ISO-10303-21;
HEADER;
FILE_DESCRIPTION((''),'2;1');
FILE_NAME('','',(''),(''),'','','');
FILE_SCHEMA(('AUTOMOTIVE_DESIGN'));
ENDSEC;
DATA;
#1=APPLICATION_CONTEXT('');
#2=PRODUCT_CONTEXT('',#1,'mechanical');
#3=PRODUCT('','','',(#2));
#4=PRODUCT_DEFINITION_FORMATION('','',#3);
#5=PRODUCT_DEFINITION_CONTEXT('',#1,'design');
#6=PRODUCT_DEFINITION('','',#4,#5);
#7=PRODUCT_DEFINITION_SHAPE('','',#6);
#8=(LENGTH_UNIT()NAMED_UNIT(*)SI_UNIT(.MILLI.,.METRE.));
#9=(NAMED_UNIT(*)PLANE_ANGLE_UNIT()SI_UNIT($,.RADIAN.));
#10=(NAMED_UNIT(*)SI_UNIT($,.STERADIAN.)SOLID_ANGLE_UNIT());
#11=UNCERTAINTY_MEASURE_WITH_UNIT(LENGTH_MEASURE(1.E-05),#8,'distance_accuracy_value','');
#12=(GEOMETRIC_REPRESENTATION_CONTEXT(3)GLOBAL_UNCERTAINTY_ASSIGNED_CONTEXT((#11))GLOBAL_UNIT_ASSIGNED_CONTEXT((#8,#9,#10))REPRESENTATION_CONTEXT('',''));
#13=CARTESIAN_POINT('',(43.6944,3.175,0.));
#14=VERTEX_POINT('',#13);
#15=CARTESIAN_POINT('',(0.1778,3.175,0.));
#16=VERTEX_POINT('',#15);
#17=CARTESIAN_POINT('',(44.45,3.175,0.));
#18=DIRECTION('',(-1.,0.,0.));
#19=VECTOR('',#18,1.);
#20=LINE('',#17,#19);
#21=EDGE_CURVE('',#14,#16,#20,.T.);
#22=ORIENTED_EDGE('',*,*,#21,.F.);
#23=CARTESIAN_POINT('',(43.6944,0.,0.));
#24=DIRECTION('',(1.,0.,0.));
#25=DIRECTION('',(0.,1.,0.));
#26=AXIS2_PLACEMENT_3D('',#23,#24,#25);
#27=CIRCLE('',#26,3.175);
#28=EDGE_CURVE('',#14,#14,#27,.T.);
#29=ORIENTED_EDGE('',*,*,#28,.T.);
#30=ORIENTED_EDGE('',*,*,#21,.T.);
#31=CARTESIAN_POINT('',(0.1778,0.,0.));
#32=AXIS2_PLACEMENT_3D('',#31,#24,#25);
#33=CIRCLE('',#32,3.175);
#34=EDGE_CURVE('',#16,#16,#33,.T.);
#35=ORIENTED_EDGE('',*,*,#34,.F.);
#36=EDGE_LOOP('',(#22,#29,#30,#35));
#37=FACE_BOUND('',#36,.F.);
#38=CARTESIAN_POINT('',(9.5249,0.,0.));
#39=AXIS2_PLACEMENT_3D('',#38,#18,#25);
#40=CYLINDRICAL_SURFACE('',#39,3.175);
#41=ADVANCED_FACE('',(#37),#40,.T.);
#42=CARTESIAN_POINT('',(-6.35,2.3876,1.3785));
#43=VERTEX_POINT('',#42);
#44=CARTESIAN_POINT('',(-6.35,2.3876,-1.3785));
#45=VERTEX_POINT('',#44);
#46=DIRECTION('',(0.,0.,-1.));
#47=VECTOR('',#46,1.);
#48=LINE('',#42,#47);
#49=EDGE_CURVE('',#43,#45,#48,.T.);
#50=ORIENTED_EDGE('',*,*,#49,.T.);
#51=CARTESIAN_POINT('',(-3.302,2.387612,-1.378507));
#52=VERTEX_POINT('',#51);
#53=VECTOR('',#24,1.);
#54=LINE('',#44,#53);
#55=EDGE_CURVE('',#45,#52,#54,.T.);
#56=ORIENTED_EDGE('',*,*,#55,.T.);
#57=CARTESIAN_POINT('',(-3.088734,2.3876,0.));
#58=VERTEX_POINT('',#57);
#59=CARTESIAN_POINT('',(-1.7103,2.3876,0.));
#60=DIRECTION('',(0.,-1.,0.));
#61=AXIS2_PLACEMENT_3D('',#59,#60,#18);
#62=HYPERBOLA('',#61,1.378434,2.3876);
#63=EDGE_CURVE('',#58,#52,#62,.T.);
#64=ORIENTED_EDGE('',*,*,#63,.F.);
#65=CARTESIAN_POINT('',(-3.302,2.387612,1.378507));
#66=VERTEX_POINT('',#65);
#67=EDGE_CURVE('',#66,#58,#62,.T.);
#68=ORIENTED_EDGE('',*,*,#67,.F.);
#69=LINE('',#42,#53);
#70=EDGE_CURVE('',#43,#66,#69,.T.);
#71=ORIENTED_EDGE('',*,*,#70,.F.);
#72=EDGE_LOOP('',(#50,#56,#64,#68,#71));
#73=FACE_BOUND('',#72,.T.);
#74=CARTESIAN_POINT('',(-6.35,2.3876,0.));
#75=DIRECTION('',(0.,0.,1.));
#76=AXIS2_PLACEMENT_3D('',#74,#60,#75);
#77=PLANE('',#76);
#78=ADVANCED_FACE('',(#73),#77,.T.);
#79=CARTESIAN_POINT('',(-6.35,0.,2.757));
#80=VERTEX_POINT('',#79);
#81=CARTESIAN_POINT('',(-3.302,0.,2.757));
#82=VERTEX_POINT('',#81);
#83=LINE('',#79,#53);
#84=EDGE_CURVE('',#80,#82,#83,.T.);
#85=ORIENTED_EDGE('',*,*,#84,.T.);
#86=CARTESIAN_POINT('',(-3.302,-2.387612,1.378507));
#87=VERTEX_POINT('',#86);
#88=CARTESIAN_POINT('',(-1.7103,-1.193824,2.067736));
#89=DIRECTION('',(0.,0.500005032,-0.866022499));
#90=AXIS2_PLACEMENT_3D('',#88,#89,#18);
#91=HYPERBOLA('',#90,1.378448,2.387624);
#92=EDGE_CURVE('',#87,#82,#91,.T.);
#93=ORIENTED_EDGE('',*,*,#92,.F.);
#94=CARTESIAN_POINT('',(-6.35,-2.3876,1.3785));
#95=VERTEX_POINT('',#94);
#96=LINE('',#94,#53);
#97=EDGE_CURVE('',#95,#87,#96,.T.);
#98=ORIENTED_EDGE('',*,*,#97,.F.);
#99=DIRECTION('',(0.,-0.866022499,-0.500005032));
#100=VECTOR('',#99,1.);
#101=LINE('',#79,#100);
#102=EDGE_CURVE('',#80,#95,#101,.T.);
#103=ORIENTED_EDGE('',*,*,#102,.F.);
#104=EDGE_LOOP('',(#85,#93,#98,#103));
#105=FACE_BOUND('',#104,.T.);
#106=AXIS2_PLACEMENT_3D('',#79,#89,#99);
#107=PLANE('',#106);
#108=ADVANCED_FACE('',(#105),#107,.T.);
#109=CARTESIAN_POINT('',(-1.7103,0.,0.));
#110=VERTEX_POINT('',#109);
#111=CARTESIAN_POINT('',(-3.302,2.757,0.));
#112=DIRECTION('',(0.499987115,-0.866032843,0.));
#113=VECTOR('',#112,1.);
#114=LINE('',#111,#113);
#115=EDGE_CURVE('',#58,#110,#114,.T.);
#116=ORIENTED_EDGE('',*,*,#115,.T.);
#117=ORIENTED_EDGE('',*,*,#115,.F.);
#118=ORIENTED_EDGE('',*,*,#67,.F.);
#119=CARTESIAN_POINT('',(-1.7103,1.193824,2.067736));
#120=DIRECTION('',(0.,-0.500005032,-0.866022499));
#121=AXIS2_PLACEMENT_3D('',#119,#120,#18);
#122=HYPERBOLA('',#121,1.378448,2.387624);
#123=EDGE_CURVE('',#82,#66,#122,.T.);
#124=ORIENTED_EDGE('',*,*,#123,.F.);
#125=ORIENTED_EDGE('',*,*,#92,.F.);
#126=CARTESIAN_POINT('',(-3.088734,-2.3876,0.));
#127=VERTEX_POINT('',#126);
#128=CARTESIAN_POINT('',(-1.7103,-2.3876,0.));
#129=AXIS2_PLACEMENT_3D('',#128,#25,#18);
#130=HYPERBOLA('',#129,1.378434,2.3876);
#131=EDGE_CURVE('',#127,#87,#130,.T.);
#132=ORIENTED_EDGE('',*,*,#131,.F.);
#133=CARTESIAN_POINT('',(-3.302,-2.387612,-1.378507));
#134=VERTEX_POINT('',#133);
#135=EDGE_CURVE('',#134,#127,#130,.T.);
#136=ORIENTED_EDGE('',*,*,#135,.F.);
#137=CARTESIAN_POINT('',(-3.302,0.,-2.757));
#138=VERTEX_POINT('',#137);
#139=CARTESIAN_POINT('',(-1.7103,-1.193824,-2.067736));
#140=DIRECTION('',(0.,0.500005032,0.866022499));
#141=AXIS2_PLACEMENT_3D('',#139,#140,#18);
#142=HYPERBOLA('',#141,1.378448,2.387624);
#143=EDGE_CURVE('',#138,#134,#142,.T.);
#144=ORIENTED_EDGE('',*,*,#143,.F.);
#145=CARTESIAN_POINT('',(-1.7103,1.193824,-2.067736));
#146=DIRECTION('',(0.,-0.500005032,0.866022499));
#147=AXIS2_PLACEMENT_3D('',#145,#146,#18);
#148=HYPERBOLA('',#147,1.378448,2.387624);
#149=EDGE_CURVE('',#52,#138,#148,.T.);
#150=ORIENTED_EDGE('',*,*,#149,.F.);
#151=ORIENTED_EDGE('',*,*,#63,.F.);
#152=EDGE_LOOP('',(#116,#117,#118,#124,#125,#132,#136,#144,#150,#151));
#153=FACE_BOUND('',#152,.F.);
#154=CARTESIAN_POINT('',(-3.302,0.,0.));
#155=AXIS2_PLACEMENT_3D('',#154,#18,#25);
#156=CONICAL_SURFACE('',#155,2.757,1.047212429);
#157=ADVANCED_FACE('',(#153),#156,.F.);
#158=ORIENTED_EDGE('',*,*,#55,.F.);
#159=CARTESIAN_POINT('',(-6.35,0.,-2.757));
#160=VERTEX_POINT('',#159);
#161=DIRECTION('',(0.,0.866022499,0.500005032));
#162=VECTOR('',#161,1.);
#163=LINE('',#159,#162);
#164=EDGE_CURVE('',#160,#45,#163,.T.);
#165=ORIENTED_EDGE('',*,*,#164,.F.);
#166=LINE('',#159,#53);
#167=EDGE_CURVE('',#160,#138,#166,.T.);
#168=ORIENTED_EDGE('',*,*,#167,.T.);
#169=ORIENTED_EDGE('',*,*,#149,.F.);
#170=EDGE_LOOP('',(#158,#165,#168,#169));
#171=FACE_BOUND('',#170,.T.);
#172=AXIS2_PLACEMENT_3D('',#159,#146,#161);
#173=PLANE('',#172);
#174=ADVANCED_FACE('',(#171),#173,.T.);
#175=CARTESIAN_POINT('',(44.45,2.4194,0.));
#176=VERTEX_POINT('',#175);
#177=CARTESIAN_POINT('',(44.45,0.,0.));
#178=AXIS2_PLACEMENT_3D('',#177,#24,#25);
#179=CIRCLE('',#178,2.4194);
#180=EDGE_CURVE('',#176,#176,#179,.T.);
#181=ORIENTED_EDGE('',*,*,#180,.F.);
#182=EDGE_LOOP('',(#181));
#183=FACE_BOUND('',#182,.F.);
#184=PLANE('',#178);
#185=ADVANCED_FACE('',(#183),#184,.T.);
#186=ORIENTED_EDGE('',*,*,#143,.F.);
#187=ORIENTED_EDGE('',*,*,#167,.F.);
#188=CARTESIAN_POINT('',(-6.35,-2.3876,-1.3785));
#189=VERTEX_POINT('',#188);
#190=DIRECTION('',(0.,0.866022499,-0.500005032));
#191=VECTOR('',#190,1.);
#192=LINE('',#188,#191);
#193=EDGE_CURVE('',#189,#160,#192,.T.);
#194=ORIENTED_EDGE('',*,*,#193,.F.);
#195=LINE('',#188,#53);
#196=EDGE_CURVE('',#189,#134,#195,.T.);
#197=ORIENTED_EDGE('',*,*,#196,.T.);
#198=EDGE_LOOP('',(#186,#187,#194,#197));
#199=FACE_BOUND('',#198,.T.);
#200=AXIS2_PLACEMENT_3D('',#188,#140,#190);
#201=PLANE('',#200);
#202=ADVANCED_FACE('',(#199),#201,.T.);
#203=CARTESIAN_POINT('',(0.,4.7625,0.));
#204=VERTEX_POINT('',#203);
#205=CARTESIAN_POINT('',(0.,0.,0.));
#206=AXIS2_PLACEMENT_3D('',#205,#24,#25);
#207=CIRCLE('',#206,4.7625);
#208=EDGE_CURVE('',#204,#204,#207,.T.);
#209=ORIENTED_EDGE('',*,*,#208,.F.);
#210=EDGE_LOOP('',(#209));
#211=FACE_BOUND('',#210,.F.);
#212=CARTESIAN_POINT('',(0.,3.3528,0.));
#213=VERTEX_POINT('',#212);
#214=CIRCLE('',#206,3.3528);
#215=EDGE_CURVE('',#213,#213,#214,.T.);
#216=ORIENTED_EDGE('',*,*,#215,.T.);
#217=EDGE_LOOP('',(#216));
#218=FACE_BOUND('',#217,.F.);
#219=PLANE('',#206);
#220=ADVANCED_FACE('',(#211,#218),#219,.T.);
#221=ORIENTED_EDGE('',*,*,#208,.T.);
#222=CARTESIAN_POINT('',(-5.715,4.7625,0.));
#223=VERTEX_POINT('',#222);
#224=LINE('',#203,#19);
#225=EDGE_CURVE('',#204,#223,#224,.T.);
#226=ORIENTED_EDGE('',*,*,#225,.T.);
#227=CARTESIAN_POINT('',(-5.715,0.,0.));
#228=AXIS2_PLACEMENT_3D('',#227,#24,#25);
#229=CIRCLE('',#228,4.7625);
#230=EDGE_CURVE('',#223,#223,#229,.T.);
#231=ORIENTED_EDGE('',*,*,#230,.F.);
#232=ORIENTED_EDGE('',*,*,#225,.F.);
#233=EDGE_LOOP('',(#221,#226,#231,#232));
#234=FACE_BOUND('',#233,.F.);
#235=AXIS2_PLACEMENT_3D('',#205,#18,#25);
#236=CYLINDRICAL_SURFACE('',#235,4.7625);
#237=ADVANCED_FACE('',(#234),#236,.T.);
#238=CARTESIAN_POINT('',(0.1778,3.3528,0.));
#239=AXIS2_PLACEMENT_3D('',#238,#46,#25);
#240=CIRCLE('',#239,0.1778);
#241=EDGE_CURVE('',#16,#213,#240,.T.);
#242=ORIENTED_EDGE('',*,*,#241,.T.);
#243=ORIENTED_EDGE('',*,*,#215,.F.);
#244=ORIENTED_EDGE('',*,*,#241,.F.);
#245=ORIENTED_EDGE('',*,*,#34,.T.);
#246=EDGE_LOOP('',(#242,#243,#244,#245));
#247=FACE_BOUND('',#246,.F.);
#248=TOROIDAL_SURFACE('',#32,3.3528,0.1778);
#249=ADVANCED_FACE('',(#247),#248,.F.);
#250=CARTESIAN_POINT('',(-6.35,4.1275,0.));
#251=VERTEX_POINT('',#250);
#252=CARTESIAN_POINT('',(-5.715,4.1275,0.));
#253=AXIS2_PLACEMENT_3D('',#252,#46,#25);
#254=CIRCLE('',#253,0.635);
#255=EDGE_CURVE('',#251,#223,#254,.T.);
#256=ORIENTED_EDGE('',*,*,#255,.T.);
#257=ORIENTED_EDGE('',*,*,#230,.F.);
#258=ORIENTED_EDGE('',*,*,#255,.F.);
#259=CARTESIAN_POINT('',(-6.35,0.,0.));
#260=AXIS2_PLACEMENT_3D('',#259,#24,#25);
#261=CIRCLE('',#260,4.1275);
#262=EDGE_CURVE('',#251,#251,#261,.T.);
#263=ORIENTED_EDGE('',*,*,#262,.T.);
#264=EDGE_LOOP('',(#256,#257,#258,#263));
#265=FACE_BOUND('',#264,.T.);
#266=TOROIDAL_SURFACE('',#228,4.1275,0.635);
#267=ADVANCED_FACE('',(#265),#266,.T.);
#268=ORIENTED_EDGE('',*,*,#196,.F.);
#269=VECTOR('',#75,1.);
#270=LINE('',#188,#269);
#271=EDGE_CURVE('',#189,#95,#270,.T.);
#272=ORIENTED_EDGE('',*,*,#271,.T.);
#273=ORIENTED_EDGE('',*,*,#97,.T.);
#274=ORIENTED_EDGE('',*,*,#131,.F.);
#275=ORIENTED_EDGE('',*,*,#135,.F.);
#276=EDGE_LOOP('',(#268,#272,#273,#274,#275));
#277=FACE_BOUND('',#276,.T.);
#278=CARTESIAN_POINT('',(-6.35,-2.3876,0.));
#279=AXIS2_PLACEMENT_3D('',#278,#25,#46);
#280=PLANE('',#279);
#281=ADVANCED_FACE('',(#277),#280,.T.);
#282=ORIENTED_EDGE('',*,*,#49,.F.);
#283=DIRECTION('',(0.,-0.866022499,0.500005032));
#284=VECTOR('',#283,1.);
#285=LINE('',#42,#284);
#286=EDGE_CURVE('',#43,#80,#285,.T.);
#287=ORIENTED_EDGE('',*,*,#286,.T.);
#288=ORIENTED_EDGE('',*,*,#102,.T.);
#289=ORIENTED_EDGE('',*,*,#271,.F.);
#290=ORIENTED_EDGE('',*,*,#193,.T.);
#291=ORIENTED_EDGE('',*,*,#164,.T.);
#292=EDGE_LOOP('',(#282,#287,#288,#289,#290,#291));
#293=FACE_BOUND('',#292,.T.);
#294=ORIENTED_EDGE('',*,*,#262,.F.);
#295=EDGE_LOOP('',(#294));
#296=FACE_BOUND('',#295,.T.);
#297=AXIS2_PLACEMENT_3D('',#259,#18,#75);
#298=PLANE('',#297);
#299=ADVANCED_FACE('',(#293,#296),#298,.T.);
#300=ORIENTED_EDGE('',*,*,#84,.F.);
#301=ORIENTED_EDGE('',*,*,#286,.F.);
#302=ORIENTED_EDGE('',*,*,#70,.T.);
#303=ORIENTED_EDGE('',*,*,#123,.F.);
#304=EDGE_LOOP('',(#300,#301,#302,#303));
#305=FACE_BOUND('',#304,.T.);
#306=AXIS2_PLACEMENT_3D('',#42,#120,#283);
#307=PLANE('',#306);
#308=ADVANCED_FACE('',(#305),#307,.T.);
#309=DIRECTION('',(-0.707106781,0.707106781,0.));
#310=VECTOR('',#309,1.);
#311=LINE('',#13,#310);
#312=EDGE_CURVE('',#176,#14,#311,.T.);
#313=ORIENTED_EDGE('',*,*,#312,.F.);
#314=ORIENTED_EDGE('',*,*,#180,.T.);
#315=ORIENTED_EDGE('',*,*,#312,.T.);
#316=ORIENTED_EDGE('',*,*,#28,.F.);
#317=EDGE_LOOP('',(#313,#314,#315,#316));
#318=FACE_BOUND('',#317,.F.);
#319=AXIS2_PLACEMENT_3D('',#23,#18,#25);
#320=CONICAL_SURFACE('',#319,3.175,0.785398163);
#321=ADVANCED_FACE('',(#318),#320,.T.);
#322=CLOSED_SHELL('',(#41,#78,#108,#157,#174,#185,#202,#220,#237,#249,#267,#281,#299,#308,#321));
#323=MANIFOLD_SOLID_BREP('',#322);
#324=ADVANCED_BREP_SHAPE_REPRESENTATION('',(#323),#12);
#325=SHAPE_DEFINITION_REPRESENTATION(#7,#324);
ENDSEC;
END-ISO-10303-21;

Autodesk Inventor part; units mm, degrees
ref_plane "YZ Plane" through (0, 0, 0) normal (1, 0, 0) x (0, 1, 0)
ref_plane "XZ Plane" through (0, 0, 0) normal (0, 1, 0) x (-1, 0, 0)
sketch "Sketch1" plane through (0, 0, 0) normal (0, 0, 1) x (1, 0, 0)
  line L0 (-1.7103, 0) -> (44.45, 0)
  line L1 (44.45, 0) -> (44.45, 3.175)
  line L2 (44.45, 3.175) -> (12.7, 3.175)
  line L3 (12.7, 3.175) -> (9.5249, 3.175)
  line L4 (9.5249, 3.175) -> (0, 3.175)
  line L5 (0, 3.175) -> (0, 4.7625)
  line L6 (0, 4.7625) -> (-6.35, 4.7625)
  line L7 (-6.35, 4.7625) -> (-6.35, 2.757)
  line L8 (-6.35, 2.757) -> (-3.302, 2.757)
  line L9 (-3.302, 2.757) -> (-1.7103, 0)
  line L10 (-16.51, 0) -> (54.61, 0) projected
  line L11 (0, -0.9525) -> (0, 5.715) projected
  line L12 (12.7, 3.175) -> (0, 3.175) construction
  dimension "d1" = 31.75
  dimension "d2" = 3.1751
  dimension "d3" = 6.35
  dimension "d4" = 3.048
  dimension "d5" = 60
  dimension "d6" = 6.35
  dimension "d7" = 6.35
  dimension "d8" = 5.5139
  dimension "d9" = 9.525
  dimension "d26" = 44.45
revolve "Body" add sketch "Sketch1" angle 360 about axis through (-1.7103, 0, 0) along (1, 0, 0)
sketch "Sketch2" plane through (-6.35, 0, 0) normal (-1, 0, 0) x (0, 0, 1)
  circle A0 centre (0, 0) radius 2.757 projected
  line L0 (0, -6.6675) -> (0, 6.6675) projected
  line L1 (-6.6675, 0) -> (6.6675, 0) projected
  line L2 (2.757, 0) -> (1.3785, -2.3876)
  line L3 (1.3785, -2.3876) -> (-1.3785, -2.3876)
  line L4 (-1.3785, -2.3876) -> (-2.757, 0)
  line L5 (-2.757, 0) -> (-1.3785, 2.3876)
  line L6 (-1.3785, 2.3876) -> (1.3785, 2.3876)
  line L7 (1.3785, 2.3876) -> (2.757, 0)
extrude "Slot" add sketch "Sketch2" against normal up to next contours L7 A0 | A0 L2 | L6 L0 A0 | A0 L0 L3 | L0 L6 A0 | A0 L3 L0 | L4 A0 | A0 L5
fillet "Fillet1" radius 0.635 1 edges at (-6.35, -4.7625, 0)
thread "Thread" size "1/4-20 UNC" class "2A" standard "ANSI Unified Screw Threads" length 31.75
chamfer "Chamfer1" distance 0.7556 distance2 0.7556 1 edges at (44.45, -3.175, 0) measured on face at (44.45, 0.6012, -0.3644)
ref_plane "Work Plane1" through (29, 0, 0) normal (0, -1, 0) x (1, 0, 0)
fillet "Fillet2" radius 0.1778 1 edges at (0, -3.175, 0)
equation "\"d1\" = GEL"
equation "\"d3\" = KOH"
equation "\"d4\" = INTI"
equation "\"d6\" = GD"
equation "\"d7\" = BDM"
equation "\"d8\" = 1.1547 * SW"
equation "\"d9\" = KOD"
equation "\"d26\" = NLG"
equation "\"d30\" = R"
equation "\"d17\" = RR"
equation "\"d13\" = GEL"
equation "\"d15\" = -0.5 * SPD + 0.5 * GD"
equation "\"d16\" = GUL"
equation "\"GD\" = 6.35"
equation "\"NLG\" = 44.45"
equation "\"GEL\" = 31.75"
equation "\"KOD\" = 9.525"
equation "\"KOH\" = 6.35"
equation "\"INTI\" = 3.048"
equation "\"GAL\" = 3.175"
equation "\"GUL\" = 0.75565"
equation "\"BDM\" = 6.35"
equation "\"SW\" = 4.7752"
equation "\"RR\" = 0.635"
equation "\"SPD\" = 4.8387"
equation "\"R\" = 0.1778"
equation "\"PHH\" = 0.2032"
equation "\"GD1\" = SPD"
equation "\"THREADDIA\" = 6.35"
equation "\"FAWI\" = 45deg"
equation "\"KOH1\" = 5.715"
equation "\"NND\" = 6.35"
equation "\"TOA\" = 30deg"
equation "\"E0\" = 1.155 * SW"
properties part number "am-1058" material "Steel, Mild"
